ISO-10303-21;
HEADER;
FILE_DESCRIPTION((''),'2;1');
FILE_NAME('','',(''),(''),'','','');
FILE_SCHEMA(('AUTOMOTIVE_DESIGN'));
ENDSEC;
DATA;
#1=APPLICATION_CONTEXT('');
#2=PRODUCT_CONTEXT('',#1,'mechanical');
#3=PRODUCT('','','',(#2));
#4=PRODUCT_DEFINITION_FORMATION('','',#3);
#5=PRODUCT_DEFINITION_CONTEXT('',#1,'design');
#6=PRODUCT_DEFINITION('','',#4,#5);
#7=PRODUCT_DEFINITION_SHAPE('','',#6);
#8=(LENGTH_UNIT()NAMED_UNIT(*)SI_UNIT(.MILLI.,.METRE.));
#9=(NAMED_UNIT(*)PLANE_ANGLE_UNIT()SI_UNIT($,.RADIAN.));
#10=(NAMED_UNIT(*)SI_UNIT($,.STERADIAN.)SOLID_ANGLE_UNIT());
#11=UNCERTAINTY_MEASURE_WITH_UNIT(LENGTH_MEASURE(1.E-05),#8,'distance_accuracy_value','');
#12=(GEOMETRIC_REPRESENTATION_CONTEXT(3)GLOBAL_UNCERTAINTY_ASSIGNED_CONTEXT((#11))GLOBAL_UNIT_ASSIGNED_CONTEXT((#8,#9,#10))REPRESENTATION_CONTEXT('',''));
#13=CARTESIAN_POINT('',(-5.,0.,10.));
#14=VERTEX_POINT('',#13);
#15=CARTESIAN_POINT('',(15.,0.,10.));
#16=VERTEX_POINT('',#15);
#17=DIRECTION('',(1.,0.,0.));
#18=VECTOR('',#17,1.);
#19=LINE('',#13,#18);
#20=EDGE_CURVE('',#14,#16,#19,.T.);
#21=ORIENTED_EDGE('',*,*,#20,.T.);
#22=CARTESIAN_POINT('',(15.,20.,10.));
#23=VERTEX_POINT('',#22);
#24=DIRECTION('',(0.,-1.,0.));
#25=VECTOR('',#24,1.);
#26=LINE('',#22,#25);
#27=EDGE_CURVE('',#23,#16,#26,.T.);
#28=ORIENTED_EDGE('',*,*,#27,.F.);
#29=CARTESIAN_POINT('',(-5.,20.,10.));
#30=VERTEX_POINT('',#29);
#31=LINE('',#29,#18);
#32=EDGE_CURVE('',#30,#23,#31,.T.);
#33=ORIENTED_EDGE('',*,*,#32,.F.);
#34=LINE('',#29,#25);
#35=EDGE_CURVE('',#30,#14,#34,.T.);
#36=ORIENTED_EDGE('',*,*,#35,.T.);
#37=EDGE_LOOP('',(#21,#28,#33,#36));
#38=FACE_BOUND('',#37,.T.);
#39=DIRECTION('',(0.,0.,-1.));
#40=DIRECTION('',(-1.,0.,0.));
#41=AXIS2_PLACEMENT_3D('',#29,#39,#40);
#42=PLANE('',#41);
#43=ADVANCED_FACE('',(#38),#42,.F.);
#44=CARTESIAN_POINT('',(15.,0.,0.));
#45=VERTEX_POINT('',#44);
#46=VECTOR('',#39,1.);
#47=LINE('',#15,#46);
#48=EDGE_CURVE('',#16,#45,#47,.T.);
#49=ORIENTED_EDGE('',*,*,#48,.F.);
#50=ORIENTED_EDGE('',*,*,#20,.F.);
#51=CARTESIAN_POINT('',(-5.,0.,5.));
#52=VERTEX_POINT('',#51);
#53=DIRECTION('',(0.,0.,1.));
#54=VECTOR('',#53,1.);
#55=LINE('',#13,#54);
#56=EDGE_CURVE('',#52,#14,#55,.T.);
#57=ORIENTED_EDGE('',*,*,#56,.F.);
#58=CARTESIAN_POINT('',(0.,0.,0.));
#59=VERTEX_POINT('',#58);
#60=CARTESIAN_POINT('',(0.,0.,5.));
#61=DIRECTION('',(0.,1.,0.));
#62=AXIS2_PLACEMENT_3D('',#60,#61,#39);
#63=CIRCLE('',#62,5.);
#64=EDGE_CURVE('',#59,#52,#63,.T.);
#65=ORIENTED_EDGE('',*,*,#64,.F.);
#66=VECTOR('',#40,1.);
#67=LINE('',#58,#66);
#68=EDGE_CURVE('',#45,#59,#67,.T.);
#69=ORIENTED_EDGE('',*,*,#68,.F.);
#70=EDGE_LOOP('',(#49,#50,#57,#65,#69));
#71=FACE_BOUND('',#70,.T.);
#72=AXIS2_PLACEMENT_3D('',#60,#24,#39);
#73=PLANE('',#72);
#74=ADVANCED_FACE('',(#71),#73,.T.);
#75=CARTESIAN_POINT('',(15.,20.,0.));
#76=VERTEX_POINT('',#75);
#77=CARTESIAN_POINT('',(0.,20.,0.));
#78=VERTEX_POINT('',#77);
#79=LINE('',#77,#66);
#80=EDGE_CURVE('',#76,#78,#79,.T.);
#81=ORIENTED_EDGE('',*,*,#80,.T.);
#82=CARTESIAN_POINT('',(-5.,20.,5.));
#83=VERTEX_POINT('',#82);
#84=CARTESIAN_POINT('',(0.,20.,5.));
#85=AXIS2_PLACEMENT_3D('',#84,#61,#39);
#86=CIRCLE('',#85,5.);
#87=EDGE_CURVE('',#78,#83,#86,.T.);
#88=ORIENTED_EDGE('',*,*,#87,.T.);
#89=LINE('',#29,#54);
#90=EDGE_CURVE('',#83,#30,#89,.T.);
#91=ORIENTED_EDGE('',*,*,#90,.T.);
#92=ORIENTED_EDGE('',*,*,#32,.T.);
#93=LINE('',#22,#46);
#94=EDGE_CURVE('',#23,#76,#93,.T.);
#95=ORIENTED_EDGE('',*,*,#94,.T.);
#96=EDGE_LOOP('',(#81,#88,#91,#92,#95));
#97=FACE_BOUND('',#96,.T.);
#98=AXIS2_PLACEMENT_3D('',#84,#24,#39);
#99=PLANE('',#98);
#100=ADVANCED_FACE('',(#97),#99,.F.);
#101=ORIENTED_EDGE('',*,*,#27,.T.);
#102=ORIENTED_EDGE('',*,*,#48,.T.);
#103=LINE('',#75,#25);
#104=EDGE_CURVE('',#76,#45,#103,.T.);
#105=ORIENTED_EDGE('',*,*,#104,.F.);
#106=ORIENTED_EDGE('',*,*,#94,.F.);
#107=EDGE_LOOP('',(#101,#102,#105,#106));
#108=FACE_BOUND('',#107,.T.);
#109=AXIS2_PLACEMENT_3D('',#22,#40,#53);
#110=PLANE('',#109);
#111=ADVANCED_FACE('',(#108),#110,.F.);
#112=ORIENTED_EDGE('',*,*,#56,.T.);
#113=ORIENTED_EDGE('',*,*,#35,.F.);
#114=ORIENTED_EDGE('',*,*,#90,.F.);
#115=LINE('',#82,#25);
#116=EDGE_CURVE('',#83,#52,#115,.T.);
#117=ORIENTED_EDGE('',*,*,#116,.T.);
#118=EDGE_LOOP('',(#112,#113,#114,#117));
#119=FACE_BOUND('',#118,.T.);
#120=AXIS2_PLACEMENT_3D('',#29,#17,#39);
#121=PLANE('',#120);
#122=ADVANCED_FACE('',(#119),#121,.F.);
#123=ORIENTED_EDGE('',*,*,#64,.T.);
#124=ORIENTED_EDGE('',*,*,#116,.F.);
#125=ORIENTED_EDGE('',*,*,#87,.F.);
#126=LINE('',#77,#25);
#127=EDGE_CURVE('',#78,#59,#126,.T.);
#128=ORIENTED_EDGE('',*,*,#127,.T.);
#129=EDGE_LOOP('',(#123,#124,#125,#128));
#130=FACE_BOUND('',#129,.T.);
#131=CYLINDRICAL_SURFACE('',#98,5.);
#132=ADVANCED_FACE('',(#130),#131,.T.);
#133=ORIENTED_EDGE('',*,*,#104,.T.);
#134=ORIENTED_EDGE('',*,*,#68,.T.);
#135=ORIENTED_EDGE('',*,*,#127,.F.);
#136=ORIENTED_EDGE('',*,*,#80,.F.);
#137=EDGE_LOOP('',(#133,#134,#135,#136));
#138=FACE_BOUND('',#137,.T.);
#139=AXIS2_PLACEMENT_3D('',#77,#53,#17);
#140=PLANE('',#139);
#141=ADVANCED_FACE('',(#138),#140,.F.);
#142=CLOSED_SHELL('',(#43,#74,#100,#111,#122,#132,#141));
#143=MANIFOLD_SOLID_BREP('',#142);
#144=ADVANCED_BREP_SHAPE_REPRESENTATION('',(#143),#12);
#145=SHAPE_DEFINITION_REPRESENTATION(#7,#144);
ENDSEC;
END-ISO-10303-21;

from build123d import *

# Parameters (mm, degrees)
BOSS_EXTRUDE1_DEPTH = 20


with BuildPart() as part:
    # Sketch1 → Boss-Extrude1 (new body)
    with BuildSketch(Plane(origin=(0, 0, 0), x_dir=(1, 0, 0), z_dir=(0, 1, 0))):
        with BuildLine():
            Line((0, 0), (15, 0))
            Line((15, 0), (15, -10))
            Line((15, -10), (-5, -10))
            Line((-5, -10), (-5, -5))
            ThreePointArc((-5, -5), (-3.535533906, -1.464466094), (0, 0))
        make_face()
    extrude(amount=BOSS_EXTRUDE1_DEPTH)


solid = part.part
